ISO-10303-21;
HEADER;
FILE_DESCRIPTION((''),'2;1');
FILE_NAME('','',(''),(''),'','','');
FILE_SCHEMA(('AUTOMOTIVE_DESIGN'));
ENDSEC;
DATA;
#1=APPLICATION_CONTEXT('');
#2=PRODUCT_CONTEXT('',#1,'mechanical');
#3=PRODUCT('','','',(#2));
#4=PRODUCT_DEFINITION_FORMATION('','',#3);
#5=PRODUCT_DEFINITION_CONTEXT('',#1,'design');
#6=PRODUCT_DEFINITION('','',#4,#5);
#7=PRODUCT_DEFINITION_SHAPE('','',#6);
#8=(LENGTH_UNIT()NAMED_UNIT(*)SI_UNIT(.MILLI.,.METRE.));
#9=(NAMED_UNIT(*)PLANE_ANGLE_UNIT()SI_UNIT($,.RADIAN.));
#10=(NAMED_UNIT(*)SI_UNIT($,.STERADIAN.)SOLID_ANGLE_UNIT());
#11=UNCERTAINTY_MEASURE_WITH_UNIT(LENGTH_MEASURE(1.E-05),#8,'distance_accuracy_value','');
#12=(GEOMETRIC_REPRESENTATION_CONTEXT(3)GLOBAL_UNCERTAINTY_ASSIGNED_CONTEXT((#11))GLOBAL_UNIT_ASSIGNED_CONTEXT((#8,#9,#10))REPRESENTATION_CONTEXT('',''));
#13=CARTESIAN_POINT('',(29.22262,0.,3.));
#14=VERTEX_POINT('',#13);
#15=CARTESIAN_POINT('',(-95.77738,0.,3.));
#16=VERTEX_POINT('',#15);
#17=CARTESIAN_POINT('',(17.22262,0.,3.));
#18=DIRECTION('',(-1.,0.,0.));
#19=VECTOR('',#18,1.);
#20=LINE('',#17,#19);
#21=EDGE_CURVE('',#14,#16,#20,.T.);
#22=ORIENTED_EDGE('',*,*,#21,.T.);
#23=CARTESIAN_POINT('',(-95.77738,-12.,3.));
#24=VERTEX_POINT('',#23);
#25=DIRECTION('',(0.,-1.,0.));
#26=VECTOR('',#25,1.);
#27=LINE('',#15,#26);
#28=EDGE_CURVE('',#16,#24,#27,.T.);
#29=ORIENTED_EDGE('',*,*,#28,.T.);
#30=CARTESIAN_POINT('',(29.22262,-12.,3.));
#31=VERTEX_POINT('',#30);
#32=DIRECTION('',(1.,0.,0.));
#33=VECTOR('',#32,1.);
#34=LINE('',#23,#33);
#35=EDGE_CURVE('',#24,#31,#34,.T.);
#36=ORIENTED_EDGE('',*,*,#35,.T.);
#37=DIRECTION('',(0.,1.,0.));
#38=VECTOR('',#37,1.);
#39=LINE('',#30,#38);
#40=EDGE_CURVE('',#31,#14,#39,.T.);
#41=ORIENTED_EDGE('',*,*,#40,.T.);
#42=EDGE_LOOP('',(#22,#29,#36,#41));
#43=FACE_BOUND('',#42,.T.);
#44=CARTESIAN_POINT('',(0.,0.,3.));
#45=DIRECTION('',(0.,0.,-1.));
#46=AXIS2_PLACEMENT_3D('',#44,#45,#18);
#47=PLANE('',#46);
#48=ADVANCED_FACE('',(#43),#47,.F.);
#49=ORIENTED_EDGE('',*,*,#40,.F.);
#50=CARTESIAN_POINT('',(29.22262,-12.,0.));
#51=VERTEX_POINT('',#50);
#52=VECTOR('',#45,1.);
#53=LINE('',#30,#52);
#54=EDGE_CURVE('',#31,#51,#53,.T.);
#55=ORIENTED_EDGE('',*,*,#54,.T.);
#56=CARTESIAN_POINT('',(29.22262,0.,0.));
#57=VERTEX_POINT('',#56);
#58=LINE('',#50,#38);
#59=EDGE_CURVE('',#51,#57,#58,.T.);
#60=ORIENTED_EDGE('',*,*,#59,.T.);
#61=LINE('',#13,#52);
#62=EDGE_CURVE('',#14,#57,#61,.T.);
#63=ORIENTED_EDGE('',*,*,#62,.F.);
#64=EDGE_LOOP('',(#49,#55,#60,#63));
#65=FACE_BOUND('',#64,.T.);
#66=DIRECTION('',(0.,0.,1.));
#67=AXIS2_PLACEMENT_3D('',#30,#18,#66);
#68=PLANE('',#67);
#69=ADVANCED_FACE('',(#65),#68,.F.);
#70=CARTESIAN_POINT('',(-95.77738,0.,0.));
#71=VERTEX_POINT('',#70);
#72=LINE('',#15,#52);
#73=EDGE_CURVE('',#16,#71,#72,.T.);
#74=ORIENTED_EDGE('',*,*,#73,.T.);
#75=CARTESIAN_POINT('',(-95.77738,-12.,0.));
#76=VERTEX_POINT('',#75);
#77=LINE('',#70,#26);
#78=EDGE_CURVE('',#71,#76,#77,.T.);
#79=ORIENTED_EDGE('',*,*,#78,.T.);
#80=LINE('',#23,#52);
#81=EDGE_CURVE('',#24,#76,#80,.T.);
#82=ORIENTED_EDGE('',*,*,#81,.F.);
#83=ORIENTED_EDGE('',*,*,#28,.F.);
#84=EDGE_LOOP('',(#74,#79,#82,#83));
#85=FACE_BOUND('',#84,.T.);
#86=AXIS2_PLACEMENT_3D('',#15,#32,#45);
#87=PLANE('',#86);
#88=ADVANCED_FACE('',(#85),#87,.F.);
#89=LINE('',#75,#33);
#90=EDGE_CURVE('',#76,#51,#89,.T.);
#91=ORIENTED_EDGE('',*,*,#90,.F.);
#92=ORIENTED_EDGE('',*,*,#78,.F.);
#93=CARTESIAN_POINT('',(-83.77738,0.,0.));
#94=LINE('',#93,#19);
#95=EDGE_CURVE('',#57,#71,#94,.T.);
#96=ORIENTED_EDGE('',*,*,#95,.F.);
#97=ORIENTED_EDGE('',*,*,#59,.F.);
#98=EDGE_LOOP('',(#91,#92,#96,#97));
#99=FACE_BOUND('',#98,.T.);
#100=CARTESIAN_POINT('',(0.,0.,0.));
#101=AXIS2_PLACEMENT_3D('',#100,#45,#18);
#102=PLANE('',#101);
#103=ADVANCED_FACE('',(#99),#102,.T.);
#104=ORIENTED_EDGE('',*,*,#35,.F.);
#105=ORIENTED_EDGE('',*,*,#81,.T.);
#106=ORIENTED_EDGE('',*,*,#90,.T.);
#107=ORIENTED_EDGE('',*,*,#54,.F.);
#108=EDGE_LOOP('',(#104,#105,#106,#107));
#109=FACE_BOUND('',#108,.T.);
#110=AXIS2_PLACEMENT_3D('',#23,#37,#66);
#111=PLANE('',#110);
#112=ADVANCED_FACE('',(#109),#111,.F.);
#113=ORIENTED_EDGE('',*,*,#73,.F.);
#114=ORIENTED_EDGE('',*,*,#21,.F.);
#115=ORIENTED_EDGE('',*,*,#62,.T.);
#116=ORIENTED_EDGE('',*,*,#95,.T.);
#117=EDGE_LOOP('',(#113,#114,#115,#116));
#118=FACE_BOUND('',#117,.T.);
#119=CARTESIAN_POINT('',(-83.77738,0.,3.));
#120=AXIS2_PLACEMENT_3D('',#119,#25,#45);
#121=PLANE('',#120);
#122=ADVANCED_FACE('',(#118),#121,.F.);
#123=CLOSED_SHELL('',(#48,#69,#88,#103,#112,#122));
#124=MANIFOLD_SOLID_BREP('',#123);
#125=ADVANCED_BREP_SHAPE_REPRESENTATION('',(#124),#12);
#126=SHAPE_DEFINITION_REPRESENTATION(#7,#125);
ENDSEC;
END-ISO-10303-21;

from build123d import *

# Parameters (mm, degrees)
BOSS_EXTRUDE1_DEPTH = 3


with BuildPart() as part:
    # Sketch1 → Boss-Extrude1 (new body)
    with BuildSketch(Plane.XY):
        Polygon((-83.777379734, 0), (-95.777379734, 0), (-95.777379734, -12), (29.222620266, -12), (29.222620266, 0), (17.222620266, 0), align=None)
    extrude(amount=BOSS_EXTRUDE1_DEPTH)


solid = part.part
